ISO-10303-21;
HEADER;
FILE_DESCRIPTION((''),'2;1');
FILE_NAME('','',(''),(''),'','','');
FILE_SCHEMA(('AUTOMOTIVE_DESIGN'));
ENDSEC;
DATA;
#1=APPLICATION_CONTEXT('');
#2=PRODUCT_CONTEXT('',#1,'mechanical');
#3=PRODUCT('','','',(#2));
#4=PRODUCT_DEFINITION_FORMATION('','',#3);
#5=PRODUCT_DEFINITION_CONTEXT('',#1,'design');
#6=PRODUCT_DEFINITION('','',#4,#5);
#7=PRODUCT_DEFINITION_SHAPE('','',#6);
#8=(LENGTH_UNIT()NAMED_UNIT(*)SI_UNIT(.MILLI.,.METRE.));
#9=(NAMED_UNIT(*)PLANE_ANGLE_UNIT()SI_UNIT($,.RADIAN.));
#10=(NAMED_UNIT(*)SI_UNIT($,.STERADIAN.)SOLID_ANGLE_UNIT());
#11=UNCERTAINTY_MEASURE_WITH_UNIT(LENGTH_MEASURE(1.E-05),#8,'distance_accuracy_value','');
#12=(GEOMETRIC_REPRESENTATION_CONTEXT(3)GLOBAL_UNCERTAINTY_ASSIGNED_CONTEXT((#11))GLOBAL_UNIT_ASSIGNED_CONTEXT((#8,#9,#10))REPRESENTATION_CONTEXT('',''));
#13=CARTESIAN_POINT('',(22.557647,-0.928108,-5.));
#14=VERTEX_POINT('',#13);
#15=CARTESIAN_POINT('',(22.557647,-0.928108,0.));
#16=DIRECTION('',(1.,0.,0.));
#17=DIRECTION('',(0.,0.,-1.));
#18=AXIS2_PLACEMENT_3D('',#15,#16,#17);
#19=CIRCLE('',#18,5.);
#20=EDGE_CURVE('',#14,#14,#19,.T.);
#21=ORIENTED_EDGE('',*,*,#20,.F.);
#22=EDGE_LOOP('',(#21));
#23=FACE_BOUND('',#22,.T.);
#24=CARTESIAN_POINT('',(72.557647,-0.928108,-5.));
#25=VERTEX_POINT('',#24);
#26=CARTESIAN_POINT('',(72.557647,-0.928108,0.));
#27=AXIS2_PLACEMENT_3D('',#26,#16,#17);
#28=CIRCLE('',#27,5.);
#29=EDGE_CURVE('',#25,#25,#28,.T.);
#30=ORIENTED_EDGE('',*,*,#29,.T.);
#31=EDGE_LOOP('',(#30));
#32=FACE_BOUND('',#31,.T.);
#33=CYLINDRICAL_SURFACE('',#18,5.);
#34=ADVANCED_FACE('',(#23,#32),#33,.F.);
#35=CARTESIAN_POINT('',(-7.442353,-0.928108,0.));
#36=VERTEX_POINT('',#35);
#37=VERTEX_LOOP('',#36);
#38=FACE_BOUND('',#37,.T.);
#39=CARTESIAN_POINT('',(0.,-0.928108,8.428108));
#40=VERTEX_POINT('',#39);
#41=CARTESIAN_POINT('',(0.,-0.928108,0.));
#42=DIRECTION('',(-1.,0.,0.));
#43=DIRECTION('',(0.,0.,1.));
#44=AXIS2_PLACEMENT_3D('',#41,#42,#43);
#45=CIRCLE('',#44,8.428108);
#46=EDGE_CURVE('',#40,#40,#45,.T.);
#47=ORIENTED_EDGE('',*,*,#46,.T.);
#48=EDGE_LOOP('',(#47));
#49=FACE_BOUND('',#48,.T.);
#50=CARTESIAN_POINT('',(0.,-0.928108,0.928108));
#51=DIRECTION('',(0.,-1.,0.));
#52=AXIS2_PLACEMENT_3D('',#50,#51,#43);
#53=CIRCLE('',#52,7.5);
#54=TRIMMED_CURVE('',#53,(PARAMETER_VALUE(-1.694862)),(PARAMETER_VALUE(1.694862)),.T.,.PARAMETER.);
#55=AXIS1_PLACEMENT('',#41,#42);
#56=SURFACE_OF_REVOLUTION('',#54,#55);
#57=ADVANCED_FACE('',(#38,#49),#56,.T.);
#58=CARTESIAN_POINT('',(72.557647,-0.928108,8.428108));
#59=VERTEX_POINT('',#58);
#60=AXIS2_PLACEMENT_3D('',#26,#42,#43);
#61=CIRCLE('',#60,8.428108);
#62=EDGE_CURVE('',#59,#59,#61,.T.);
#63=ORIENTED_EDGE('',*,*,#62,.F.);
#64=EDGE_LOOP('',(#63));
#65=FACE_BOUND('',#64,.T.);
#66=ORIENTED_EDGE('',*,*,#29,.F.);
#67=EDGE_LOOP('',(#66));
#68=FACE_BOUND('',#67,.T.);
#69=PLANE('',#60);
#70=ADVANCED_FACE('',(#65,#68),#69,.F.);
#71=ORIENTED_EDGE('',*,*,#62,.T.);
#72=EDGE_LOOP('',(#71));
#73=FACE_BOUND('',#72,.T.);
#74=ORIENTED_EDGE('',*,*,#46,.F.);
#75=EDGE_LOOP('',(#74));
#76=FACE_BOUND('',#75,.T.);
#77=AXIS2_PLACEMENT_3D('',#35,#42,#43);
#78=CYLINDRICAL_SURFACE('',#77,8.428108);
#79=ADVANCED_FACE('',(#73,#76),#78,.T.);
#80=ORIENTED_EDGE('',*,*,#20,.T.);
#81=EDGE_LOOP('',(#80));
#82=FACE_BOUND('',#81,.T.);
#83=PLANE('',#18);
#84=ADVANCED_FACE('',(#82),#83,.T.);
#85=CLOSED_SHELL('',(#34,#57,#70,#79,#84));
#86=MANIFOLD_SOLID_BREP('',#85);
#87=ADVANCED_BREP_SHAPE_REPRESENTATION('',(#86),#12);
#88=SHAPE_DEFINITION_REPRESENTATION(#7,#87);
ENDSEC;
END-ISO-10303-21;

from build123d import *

# Parameters (mm, degrees)
SKETCH3_R          = 5
CUT_EXTRUDE1_DEPTH = 50


with BuildPart() as part:
    # Sketch2 → Revolve3 (revolve)
    with BuildSketch(Plane.XY, mode=Mode.PRIVATE) as revolve3_sk:
        with BuildLine():
            Line((0, 7.5), (72.557647174, 7.5))
            Line((72.557647174, 7.5), (72.557647174, -0.928107977))
            Line((72.557647174, -0.928107977), (-7.442352826, -0.928107977))
            ThreePointArc((-7.442352826, -0.928107977), (-5.621868454, 4.96433229), (0, 7.5))
        make_face()
    revolve(revolve3_sk.sketch.rotate(Axis((-7.442352826, -0.928107977, 0), (1, 0, 0)), 90), axis=Axis((-7.442352826, -0.928107977, 0), (1, 0, 0)))

    # Sketch3 → Cut-Extrude1 (cut)
    with BuildSketch(Plane(origin=(72.557647174, 0, 0), x_dir=(0, 0, -1), z_dir=(1, 0, 0))):
        with Locations((0, -0.928107977)):
            Circle(SKETCH3_R)
    extrude(amount=-CUT_EXTRUDE1_DEPTH, mode=Mode.SUBTRACT)


solid = part.part
